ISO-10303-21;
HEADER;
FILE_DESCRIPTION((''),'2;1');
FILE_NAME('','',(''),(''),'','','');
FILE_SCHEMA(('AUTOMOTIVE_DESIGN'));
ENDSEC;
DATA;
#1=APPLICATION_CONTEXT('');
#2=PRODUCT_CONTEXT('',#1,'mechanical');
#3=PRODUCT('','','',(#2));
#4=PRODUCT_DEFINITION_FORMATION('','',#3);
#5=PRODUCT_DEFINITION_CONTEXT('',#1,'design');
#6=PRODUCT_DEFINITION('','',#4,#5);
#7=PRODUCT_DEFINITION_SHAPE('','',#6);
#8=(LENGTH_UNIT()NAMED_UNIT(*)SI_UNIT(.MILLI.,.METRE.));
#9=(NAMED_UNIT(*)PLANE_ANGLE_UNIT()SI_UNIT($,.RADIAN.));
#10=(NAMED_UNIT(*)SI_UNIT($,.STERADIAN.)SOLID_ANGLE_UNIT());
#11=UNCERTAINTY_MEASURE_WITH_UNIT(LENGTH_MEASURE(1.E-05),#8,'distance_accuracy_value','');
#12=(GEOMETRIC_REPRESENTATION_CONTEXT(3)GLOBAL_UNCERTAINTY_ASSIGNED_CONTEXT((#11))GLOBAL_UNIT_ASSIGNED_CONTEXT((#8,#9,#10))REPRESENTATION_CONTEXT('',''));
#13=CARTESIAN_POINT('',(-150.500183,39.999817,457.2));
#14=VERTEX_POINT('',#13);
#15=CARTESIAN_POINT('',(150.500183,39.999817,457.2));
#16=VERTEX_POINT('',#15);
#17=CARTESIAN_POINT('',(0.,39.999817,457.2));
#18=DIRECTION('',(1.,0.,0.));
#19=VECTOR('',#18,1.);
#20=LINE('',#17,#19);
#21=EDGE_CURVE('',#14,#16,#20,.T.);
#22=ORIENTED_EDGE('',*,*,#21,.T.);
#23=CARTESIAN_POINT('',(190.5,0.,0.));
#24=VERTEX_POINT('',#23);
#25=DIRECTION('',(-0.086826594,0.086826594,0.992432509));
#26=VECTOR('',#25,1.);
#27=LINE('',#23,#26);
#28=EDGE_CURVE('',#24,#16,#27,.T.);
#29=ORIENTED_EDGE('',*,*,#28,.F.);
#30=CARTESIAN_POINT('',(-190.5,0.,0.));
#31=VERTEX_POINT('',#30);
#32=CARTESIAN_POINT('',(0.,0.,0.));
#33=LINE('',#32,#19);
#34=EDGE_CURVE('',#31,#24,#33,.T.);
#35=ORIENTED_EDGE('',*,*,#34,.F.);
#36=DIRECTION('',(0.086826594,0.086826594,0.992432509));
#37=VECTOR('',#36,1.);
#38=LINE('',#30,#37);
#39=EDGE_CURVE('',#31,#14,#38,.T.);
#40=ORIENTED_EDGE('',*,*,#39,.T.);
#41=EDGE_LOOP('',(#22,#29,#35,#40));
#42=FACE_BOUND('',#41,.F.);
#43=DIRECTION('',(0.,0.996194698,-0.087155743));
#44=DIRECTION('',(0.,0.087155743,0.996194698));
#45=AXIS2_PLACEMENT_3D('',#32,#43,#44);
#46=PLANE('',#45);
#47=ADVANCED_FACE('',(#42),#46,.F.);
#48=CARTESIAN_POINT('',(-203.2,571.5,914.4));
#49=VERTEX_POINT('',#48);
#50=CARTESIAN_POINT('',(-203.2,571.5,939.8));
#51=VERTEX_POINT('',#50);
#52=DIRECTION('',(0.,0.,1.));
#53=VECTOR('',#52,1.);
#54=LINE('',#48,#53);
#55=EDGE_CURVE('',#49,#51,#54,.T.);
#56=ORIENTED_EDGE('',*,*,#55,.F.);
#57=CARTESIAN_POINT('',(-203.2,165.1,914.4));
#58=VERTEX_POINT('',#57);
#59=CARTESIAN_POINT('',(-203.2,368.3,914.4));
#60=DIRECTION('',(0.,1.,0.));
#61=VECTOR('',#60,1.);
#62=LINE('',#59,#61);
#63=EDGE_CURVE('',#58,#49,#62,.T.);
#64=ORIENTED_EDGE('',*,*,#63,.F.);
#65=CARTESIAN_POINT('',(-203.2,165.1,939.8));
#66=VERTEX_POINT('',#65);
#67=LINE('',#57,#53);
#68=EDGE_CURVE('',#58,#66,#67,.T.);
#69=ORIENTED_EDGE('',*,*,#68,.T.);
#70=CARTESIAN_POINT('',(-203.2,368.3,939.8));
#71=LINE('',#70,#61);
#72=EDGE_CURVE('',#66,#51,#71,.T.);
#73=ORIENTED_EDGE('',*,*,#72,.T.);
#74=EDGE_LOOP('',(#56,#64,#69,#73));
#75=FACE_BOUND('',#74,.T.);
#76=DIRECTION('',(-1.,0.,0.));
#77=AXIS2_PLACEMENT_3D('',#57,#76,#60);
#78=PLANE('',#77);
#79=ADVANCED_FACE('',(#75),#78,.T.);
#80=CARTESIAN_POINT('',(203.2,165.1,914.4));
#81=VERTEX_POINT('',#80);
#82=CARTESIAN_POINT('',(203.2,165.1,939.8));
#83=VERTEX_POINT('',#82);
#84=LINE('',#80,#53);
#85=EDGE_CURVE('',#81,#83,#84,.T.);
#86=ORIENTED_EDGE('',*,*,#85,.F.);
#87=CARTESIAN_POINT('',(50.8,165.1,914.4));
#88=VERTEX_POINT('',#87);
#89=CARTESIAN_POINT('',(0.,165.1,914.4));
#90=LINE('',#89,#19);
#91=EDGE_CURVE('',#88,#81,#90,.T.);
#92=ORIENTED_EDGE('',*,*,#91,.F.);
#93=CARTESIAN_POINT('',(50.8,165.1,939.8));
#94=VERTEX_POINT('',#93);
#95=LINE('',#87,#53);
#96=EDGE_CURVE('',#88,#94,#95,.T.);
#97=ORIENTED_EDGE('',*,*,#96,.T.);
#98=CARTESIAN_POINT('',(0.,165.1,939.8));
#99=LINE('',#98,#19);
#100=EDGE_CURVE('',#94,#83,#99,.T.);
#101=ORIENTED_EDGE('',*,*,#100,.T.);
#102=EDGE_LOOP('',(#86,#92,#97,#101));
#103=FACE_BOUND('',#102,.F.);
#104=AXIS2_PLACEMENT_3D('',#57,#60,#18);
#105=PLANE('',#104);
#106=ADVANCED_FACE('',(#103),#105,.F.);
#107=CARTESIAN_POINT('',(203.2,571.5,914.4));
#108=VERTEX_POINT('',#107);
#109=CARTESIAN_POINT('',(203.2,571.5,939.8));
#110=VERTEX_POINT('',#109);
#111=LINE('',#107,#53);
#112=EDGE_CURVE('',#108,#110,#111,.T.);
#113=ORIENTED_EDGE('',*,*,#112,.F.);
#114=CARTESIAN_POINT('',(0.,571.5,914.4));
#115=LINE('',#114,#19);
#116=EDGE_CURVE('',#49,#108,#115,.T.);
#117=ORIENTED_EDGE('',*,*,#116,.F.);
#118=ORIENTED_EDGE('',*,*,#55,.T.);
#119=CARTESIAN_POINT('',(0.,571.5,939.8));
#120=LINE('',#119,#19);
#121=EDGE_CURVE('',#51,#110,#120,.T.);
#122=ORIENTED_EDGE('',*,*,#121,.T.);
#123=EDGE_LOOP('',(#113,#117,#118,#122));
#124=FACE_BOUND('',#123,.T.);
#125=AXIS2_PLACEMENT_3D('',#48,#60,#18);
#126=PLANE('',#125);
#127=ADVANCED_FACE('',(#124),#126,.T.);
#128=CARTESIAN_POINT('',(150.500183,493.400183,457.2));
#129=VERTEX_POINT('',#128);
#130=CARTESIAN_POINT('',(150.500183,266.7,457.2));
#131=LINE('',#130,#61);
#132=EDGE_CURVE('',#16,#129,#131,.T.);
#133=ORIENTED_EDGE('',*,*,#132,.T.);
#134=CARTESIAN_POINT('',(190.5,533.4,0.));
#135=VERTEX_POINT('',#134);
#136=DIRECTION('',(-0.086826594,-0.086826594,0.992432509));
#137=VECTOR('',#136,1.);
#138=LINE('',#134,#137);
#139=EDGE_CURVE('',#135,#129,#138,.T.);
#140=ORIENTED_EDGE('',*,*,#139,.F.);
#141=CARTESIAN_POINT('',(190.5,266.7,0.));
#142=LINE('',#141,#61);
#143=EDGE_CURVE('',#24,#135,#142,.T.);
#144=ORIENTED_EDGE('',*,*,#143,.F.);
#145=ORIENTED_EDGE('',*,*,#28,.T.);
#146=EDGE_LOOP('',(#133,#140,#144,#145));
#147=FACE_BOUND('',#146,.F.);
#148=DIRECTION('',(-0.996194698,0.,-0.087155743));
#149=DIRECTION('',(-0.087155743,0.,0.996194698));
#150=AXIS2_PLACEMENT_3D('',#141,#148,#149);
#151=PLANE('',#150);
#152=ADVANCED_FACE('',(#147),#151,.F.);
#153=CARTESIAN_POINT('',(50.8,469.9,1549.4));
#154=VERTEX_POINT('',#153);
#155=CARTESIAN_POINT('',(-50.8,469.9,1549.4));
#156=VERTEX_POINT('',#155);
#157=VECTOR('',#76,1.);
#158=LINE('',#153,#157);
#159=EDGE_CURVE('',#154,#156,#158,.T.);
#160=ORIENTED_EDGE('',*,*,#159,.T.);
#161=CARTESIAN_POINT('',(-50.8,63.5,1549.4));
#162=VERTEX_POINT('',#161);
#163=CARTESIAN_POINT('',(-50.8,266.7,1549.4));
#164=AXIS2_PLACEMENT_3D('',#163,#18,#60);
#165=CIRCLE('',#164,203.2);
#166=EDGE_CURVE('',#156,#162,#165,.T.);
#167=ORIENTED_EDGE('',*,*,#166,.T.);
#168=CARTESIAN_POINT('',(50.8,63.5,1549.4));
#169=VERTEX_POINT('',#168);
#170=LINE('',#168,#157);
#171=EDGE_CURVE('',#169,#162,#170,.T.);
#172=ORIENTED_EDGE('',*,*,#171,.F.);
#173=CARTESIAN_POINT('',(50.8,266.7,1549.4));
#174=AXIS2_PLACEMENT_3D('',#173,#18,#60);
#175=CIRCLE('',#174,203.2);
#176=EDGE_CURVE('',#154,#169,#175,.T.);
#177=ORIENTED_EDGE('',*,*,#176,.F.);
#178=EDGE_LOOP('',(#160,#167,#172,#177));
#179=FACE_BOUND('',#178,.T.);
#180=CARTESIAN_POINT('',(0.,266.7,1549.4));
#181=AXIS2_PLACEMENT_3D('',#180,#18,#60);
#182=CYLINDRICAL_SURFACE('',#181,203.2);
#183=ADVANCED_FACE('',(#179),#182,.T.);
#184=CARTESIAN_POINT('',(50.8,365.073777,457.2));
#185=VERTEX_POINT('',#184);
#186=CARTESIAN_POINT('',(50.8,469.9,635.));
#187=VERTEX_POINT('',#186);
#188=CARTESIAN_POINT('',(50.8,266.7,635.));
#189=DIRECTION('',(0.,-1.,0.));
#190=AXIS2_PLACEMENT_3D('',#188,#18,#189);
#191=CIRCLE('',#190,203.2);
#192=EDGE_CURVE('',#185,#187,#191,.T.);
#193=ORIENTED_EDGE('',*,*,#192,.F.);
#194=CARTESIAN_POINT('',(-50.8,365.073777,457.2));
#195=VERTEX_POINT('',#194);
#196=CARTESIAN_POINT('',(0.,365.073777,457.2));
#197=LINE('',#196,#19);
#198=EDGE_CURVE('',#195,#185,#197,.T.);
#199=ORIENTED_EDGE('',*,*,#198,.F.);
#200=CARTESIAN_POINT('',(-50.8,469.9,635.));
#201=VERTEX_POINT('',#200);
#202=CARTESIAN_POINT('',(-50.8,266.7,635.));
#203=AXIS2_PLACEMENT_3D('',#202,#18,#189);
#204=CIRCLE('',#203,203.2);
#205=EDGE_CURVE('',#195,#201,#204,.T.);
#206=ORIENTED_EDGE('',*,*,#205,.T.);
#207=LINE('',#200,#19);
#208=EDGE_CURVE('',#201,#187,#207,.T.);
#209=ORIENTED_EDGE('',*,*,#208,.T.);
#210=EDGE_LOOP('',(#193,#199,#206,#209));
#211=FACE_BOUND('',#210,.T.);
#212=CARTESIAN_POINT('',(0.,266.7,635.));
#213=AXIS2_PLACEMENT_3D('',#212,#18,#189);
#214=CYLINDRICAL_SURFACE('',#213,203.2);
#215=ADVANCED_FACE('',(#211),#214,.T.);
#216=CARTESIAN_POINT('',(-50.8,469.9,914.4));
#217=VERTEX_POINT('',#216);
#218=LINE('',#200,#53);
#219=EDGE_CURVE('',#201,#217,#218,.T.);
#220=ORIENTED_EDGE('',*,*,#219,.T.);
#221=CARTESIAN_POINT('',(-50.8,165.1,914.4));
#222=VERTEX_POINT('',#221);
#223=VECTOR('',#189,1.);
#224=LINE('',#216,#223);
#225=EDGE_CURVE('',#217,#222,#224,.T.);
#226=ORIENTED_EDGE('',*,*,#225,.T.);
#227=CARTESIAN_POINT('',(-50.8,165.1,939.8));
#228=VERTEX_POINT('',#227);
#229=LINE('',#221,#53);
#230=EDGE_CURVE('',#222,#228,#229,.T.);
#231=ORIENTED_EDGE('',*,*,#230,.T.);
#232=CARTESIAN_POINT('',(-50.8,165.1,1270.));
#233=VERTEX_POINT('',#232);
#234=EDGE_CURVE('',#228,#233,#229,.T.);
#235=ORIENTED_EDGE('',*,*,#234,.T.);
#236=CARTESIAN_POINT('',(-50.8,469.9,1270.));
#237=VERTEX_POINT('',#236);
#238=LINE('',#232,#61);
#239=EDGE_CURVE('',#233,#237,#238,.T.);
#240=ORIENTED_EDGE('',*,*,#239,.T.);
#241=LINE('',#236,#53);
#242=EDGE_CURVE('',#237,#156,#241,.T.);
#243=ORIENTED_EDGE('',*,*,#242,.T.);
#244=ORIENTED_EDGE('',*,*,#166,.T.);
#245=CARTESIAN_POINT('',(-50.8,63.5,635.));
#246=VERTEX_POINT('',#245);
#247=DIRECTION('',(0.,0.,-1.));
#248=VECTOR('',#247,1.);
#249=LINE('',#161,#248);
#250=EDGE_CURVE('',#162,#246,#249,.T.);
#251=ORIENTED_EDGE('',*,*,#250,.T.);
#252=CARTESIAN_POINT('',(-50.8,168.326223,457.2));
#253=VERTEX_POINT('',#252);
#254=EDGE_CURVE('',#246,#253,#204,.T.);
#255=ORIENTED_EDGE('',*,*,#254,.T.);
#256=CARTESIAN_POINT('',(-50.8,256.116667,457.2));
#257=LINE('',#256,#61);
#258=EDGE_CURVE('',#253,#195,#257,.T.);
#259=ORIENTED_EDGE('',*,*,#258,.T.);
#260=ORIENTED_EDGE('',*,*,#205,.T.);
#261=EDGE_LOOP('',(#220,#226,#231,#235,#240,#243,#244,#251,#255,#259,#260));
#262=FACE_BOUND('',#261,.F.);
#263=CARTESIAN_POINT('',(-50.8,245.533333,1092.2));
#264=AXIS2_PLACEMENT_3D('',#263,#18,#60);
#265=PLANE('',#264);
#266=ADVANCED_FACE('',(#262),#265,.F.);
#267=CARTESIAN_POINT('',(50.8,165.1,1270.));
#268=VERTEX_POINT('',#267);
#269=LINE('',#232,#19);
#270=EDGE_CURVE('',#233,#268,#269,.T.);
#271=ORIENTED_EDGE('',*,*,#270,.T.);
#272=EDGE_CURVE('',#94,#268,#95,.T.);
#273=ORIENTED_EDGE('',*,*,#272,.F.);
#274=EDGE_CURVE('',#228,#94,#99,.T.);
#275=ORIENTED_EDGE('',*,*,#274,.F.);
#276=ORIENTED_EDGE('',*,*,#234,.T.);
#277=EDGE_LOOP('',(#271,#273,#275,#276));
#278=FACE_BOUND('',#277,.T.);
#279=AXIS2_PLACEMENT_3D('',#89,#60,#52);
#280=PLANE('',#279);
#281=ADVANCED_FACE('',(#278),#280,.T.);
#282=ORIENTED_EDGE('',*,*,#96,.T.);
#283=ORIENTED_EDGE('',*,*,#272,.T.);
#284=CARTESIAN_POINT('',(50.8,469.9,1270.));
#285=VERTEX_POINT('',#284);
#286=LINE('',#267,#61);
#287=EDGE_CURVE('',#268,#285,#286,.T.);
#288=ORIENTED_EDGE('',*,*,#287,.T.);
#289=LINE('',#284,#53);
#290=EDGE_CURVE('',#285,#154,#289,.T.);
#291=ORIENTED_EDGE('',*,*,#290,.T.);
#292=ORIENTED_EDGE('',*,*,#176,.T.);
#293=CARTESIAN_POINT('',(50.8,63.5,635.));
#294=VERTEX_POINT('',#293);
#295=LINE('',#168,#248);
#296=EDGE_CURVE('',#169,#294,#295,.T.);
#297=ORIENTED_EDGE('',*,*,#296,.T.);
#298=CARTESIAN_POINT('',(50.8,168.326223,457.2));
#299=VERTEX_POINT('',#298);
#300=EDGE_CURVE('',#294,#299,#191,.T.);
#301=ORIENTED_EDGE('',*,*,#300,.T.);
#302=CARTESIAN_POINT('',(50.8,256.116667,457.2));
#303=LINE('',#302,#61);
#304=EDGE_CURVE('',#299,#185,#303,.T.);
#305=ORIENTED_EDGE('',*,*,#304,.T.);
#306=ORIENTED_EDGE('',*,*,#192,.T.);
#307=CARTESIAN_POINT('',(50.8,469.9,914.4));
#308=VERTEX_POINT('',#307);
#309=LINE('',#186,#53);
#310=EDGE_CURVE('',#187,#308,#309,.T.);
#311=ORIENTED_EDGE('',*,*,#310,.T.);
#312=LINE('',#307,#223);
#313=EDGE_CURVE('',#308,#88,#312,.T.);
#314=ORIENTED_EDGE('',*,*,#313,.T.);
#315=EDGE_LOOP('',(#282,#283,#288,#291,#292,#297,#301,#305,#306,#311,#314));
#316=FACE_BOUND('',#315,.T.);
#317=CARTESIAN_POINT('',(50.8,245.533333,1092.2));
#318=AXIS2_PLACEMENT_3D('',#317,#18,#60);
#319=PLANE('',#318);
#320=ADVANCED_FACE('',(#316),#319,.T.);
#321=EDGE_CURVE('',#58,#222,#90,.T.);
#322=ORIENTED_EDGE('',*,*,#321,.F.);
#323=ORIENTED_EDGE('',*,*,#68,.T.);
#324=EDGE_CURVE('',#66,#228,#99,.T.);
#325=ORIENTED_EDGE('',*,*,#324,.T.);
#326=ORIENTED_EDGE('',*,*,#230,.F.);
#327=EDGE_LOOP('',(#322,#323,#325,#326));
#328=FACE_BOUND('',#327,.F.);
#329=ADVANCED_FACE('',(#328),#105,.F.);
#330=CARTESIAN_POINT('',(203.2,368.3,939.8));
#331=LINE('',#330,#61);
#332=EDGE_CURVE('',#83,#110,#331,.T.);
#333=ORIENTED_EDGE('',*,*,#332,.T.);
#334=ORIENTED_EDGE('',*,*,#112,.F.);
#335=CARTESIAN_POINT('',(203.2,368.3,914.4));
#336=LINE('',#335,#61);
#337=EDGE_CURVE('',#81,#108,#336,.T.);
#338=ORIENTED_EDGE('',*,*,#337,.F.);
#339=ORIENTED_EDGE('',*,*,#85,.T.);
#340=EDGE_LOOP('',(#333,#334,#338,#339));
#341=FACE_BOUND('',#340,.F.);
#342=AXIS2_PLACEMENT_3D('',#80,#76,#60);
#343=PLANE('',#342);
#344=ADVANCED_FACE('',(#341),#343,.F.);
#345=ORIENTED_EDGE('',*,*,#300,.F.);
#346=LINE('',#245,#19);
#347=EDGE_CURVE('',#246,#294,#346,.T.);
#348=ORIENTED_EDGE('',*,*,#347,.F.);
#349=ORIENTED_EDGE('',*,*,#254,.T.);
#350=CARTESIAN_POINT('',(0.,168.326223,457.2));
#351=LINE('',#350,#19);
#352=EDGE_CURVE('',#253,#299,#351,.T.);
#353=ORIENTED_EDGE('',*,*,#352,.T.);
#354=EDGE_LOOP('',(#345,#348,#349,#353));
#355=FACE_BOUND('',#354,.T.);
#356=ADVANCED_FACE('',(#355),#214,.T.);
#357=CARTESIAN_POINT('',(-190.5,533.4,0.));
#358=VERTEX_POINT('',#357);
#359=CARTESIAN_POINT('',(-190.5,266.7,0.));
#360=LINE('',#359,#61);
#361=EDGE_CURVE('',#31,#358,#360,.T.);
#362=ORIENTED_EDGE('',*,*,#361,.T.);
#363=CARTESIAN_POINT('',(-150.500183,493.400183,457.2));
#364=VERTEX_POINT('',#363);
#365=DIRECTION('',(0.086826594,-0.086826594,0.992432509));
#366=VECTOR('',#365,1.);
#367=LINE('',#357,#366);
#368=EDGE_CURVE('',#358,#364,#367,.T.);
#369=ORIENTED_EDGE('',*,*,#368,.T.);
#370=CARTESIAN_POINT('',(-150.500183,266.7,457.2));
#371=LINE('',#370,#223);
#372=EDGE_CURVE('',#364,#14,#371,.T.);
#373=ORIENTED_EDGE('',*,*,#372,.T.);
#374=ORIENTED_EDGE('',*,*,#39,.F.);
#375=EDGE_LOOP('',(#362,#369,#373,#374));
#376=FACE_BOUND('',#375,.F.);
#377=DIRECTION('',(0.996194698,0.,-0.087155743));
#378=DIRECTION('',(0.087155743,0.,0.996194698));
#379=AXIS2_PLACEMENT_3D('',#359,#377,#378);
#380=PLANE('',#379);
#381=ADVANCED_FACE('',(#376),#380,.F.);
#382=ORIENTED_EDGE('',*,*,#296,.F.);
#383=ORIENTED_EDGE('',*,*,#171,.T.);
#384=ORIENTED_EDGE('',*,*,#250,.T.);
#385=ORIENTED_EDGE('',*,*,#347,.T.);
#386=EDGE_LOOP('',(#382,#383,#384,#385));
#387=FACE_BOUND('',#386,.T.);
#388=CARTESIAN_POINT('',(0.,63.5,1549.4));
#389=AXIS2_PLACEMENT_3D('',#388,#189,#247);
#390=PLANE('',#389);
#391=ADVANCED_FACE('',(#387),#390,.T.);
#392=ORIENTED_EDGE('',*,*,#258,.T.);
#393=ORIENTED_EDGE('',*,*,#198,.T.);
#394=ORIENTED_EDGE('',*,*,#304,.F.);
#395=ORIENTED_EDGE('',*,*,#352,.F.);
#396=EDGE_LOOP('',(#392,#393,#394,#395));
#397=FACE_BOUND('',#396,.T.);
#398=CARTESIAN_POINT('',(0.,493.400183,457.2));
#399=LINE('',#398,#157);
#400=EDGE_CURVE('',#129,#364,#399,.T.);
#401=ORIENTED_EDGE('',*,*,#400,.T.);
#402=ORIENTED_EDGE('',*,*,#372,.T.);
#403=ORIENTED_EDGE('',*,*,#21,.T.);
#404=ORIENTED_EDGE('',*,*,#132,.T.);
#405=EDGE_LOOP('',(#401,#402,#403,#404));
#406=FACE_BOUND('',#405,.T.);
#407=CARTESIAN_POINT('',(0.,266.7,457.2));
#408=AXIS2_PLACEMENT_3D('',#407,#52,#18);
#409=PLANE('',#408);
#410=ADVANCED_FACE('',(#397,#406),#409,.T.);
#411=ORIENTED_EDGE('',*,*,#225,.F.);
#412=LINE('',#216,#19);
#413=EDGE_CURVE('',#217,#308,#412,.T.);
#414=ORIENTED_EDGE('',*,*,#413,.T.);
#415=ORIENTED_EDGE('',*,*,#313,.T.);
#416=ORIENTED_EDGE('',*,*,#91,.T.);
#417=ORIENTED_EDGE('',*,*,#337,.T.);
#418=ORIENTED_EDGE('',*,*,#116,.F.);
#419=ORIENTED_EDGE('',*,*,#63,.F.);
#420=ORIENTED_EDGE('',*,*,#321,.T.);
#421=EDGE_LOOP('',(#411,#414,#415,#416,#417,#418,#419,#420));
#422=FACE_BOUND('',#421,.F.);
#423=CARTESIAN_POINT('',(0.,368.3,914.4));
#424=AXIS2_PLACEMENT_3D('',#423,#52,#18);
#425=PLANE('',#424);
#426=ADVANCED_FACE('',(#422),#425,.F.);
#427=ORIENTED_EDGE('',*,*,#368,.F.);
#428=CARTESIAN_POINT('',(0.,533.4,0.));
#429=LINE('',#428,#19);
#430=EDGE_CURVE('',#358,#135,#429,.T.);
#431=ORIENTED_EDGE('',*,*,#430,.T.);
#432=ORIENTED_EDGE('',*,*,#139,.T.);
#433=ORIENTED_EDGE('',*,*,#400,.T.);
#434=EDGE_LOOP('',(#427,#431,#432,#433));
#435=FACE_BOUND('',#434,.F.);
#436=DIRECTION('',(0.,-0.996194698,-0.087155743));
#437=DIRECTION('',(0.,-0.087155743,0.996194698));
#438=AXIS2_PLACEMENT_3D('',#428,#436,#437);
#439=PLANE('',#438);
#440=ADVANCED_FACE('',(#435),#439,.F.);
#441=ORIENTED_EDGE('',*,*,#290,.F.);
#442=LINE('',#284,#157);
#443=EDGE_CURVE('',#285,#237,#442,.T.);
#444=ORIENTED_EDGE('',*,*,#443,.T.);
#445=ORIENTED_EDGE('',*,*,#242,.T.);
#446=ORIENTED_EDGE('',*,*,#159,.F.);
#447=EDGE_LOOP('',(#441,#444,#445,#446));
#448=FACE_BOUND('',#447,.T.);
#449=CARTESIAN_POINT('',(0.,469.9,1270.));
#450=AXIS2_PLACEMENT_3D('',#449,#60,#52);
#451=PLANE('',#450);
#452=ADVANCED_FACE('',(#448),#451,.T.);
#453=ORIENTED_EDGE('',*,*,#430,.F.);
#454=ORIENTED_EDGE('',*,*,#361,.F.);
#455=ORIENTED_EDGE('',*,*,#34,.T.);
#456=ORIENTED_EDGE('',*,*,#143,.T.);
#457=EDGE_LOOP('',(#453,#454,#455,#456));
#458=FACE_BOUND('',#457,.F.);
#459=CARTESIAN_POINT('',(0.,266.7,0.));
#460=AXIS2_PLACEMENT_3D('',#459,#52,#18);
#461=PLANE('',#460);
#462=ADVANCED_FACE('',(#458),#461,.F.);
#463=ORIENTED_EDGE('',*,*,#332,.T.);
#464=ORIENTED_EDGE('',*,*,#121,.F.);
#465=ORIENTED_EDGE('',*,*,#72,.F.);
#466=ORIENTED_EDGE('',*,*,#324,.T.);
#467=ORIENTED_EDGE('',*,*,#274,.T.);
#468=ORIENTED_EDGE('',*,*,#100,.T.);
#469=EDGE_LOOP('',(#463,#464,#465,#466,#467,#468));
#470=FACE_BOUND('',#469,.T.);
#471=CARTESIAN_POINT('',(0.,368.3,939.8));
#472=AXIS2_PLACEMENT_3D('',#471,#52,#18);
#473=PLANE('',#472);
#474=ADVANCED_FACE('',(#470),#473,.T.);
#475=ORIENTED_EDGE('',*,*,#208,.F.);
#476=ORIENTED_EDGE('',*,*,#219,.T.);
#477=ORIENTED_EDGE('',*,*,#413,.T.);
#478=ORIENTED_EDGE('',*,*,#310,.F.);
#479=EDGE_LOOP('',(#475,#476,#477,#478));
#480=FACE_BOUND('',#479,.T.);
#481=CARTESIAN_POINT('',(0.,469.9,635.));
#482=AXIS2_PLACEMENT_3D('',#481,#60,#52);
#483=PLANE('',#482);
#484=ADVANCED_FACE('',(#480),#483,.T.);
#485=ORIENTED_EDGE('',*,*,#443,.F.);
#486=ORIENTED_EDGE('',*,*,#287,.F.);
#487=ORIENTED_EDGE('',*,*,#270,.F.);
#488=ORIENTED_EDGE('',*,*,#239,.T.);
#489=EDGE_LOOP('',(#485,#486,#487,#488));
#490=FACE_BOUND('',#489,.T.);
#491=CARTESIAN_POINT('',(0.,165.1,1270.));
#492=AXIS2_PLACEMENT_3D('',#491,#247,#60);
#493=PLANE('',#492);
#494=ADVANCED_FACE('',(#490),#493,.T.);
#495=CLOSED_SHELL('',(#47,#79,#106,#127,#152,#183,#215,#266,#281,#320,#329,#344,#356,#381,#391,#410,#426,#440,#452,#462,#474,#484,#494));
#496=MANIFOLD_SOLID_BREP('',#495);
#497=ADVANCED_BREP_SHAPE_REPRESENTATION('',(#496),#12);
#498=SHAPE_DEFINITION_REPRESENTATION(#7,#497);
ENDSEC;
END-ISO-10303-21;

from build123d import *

# Parameters (mm, degrees)
F0_W     = 381
F0_H     = 533.4
F1_DEPTH = 457.2
F1_TAPER = 5
F3_DEPTH = 50.8
F4_W     = 406.4
F4_H     = 406.4
F5_DEPTH = 25.4


with BuildPart() as f1:
    # F0 (on Top) → F1 (new body)
    with BuildSketch(Plane.XY):
        with Locations((0, 266.7)):
            Rectangle(F0_W, F0_H)
    extrude(amount=F1_DEPTH, taper=F1_TAPER)

    # F2 (on Right) → F3 (join, symmetric)
    with BuildSketch(Plane.YZ):
        with BuildLine():
            Line((63.5, 1549.4), (63.5, 635))
            ThreePointArc((63.5, 635), (266.7, 431.8), (469.9, 635))
            Line((469.9, 635), (469.9, 914.4))
            Line((469.9, 914.4), (165.1, 914.4))
            Line((165.1, 914.4), (165.1, 1270))
            Line((165.1, 1270), (469.9, 1270))
            Line((469.9, 1270), (469.9, 1549.4))
            ThreePointArc((469.9, 1549.4), (266.7, 1752.6), (63.5, 1549.4))
        make_face()
    extrude(amount=F3_DEPTH, both=True)

    # F4 (on face) → F5 (join)
    with BuildSketch(Plane.XY.offset(914.4)):
        with Locations((0, 368.3)):
            Rectangle(F4_W, F4_H)
    extrude(amount=F5_DEPTH)


solid = f1.part
